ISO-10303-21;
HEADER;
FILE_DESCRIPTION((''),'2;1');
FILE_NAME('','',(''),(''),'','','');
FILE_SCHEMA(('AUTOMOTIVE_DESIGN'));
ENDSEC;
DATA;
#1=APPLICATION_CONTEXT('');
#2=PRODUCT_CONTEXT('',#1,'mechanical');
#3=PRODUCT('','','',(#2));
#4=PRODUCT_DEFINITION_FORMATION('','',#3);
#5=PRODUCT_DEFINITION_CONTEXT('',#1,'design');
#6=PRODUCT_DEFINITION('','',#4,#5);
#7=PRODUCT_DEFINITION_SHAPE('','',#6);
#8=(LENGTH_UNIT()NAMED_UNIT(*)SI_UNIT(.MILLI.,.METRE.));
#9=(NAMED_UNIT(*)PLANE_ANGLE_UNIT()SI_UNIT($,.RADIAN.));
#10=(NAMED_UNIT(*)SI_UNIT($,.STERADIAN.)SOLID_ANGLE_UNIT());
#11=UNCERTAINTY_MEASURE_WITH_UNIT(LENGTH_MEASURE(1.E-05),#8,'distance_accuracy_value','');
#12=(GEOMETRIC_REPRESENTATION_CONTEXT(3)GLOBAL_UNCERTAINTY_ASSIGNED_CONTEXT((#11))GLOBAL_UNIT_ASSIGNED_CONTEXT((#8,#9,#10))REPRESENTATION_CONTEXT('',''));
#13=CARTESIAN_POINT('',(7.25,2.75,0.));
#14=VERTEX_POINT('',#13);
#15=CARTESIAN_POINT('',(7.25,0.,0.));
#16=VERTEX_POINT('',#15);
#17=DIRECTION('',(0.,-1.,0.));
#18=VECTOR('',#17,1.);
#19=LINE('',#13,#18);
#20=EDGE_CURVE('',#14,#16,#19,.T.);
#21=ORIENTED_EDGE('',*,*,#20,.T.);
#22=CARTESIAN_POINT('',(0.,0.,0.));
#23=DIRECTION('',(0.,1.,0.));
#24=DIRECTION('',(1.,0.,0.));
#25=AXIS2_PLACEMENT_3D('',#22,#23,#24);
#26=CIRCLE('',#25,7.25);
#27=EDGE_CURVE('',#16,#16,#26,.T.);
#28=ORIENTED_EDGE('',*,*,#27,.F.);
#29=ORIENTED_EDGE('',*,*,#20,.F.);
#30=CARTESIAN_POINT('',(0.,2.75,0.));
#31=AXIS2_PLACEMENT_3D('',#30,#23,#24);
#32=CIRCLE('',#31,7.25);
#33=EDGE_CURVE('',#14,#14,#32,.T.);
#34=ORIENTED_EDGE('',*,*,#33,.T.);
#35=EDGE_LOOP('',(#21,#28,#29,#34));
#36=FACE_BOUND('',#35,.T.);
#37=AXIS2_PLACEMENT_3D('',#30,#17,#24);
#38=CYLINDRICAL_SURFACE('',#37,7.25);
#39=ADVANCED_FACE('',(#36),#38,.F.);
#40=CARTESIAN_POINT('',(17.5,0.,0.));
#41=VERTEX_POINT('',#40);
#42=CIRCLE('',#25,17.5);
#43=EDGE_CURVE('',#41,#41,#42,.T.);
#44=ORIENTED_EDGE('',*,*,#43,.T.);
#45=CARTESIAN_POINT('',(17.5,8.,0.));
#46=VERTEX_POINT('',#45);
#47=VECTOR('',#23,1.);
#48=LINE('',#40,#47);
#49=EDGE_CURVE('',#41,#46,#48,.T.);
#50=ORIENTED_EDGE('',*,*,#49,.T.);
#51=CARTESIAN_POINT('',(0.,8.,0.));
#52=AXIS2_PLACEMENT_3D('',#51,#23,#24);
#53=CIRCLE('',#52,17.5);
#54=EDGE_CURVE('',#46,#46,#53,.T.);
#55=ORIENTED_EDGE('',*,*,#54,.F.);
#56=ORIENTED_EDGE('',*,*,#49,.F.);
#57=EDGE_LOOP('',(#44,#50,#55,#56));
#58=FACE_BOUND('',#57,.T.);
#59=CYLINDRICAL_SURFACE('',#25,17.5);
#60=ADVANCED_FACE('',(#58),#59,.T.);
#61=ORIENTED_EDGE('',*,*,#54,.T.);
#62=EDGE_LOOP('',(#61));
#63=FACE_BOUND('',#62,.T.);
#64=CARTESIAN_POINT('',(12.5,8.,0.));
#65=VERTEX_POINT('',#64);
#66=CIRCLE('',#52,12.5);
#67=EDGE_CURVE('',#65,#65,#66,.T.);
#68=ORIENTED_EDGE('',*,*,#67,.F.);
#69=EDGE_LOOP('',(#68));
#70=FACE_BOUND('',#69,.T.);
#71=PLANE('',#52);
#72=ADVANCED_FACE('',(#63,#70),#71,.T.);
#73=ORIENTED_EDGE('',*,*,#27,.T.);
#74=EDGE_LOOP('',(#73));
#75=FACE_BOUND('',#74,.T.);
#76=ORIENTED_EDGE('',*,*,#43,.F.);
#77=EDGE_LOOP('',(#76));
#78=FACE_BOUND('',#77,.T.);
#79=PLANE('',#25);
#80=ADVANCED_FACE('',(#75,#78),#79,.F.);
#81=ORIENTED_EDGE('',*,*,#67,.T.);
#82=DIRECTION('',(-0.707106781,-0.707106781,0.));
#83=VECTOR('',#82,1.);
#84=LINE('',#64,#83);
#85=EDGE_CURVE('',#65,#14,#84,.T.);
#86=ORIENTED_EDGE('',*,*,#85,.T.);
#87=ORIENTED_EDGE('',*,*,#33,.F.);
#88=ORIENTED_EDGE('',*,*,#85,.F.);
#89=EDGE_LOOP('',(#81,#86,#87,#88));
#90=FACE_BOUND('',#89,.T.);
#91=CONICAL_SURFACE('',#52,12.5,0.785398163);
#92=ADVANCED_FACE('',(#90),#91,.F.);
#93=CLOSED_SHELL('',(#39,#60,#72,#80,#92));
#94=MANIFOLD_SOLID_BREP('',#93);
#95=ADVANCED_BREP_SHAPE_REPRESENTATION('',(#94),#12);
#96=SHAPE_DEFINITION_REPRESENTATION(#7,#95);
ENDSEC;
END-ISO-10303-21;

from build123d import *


with BuildPart() as part:
    # Sketch2 → Revolve1 (revolve)
    with BuildSketch(Plane.XY):
        Polygon((7.25, 0), (17.5, 0), (17.5, 8), (12.5, 8), (7.25, 2.75), align=None)
    revolve(axis=Axis((0, 0, 0), (0, 1, 0)))


solid = part.part
